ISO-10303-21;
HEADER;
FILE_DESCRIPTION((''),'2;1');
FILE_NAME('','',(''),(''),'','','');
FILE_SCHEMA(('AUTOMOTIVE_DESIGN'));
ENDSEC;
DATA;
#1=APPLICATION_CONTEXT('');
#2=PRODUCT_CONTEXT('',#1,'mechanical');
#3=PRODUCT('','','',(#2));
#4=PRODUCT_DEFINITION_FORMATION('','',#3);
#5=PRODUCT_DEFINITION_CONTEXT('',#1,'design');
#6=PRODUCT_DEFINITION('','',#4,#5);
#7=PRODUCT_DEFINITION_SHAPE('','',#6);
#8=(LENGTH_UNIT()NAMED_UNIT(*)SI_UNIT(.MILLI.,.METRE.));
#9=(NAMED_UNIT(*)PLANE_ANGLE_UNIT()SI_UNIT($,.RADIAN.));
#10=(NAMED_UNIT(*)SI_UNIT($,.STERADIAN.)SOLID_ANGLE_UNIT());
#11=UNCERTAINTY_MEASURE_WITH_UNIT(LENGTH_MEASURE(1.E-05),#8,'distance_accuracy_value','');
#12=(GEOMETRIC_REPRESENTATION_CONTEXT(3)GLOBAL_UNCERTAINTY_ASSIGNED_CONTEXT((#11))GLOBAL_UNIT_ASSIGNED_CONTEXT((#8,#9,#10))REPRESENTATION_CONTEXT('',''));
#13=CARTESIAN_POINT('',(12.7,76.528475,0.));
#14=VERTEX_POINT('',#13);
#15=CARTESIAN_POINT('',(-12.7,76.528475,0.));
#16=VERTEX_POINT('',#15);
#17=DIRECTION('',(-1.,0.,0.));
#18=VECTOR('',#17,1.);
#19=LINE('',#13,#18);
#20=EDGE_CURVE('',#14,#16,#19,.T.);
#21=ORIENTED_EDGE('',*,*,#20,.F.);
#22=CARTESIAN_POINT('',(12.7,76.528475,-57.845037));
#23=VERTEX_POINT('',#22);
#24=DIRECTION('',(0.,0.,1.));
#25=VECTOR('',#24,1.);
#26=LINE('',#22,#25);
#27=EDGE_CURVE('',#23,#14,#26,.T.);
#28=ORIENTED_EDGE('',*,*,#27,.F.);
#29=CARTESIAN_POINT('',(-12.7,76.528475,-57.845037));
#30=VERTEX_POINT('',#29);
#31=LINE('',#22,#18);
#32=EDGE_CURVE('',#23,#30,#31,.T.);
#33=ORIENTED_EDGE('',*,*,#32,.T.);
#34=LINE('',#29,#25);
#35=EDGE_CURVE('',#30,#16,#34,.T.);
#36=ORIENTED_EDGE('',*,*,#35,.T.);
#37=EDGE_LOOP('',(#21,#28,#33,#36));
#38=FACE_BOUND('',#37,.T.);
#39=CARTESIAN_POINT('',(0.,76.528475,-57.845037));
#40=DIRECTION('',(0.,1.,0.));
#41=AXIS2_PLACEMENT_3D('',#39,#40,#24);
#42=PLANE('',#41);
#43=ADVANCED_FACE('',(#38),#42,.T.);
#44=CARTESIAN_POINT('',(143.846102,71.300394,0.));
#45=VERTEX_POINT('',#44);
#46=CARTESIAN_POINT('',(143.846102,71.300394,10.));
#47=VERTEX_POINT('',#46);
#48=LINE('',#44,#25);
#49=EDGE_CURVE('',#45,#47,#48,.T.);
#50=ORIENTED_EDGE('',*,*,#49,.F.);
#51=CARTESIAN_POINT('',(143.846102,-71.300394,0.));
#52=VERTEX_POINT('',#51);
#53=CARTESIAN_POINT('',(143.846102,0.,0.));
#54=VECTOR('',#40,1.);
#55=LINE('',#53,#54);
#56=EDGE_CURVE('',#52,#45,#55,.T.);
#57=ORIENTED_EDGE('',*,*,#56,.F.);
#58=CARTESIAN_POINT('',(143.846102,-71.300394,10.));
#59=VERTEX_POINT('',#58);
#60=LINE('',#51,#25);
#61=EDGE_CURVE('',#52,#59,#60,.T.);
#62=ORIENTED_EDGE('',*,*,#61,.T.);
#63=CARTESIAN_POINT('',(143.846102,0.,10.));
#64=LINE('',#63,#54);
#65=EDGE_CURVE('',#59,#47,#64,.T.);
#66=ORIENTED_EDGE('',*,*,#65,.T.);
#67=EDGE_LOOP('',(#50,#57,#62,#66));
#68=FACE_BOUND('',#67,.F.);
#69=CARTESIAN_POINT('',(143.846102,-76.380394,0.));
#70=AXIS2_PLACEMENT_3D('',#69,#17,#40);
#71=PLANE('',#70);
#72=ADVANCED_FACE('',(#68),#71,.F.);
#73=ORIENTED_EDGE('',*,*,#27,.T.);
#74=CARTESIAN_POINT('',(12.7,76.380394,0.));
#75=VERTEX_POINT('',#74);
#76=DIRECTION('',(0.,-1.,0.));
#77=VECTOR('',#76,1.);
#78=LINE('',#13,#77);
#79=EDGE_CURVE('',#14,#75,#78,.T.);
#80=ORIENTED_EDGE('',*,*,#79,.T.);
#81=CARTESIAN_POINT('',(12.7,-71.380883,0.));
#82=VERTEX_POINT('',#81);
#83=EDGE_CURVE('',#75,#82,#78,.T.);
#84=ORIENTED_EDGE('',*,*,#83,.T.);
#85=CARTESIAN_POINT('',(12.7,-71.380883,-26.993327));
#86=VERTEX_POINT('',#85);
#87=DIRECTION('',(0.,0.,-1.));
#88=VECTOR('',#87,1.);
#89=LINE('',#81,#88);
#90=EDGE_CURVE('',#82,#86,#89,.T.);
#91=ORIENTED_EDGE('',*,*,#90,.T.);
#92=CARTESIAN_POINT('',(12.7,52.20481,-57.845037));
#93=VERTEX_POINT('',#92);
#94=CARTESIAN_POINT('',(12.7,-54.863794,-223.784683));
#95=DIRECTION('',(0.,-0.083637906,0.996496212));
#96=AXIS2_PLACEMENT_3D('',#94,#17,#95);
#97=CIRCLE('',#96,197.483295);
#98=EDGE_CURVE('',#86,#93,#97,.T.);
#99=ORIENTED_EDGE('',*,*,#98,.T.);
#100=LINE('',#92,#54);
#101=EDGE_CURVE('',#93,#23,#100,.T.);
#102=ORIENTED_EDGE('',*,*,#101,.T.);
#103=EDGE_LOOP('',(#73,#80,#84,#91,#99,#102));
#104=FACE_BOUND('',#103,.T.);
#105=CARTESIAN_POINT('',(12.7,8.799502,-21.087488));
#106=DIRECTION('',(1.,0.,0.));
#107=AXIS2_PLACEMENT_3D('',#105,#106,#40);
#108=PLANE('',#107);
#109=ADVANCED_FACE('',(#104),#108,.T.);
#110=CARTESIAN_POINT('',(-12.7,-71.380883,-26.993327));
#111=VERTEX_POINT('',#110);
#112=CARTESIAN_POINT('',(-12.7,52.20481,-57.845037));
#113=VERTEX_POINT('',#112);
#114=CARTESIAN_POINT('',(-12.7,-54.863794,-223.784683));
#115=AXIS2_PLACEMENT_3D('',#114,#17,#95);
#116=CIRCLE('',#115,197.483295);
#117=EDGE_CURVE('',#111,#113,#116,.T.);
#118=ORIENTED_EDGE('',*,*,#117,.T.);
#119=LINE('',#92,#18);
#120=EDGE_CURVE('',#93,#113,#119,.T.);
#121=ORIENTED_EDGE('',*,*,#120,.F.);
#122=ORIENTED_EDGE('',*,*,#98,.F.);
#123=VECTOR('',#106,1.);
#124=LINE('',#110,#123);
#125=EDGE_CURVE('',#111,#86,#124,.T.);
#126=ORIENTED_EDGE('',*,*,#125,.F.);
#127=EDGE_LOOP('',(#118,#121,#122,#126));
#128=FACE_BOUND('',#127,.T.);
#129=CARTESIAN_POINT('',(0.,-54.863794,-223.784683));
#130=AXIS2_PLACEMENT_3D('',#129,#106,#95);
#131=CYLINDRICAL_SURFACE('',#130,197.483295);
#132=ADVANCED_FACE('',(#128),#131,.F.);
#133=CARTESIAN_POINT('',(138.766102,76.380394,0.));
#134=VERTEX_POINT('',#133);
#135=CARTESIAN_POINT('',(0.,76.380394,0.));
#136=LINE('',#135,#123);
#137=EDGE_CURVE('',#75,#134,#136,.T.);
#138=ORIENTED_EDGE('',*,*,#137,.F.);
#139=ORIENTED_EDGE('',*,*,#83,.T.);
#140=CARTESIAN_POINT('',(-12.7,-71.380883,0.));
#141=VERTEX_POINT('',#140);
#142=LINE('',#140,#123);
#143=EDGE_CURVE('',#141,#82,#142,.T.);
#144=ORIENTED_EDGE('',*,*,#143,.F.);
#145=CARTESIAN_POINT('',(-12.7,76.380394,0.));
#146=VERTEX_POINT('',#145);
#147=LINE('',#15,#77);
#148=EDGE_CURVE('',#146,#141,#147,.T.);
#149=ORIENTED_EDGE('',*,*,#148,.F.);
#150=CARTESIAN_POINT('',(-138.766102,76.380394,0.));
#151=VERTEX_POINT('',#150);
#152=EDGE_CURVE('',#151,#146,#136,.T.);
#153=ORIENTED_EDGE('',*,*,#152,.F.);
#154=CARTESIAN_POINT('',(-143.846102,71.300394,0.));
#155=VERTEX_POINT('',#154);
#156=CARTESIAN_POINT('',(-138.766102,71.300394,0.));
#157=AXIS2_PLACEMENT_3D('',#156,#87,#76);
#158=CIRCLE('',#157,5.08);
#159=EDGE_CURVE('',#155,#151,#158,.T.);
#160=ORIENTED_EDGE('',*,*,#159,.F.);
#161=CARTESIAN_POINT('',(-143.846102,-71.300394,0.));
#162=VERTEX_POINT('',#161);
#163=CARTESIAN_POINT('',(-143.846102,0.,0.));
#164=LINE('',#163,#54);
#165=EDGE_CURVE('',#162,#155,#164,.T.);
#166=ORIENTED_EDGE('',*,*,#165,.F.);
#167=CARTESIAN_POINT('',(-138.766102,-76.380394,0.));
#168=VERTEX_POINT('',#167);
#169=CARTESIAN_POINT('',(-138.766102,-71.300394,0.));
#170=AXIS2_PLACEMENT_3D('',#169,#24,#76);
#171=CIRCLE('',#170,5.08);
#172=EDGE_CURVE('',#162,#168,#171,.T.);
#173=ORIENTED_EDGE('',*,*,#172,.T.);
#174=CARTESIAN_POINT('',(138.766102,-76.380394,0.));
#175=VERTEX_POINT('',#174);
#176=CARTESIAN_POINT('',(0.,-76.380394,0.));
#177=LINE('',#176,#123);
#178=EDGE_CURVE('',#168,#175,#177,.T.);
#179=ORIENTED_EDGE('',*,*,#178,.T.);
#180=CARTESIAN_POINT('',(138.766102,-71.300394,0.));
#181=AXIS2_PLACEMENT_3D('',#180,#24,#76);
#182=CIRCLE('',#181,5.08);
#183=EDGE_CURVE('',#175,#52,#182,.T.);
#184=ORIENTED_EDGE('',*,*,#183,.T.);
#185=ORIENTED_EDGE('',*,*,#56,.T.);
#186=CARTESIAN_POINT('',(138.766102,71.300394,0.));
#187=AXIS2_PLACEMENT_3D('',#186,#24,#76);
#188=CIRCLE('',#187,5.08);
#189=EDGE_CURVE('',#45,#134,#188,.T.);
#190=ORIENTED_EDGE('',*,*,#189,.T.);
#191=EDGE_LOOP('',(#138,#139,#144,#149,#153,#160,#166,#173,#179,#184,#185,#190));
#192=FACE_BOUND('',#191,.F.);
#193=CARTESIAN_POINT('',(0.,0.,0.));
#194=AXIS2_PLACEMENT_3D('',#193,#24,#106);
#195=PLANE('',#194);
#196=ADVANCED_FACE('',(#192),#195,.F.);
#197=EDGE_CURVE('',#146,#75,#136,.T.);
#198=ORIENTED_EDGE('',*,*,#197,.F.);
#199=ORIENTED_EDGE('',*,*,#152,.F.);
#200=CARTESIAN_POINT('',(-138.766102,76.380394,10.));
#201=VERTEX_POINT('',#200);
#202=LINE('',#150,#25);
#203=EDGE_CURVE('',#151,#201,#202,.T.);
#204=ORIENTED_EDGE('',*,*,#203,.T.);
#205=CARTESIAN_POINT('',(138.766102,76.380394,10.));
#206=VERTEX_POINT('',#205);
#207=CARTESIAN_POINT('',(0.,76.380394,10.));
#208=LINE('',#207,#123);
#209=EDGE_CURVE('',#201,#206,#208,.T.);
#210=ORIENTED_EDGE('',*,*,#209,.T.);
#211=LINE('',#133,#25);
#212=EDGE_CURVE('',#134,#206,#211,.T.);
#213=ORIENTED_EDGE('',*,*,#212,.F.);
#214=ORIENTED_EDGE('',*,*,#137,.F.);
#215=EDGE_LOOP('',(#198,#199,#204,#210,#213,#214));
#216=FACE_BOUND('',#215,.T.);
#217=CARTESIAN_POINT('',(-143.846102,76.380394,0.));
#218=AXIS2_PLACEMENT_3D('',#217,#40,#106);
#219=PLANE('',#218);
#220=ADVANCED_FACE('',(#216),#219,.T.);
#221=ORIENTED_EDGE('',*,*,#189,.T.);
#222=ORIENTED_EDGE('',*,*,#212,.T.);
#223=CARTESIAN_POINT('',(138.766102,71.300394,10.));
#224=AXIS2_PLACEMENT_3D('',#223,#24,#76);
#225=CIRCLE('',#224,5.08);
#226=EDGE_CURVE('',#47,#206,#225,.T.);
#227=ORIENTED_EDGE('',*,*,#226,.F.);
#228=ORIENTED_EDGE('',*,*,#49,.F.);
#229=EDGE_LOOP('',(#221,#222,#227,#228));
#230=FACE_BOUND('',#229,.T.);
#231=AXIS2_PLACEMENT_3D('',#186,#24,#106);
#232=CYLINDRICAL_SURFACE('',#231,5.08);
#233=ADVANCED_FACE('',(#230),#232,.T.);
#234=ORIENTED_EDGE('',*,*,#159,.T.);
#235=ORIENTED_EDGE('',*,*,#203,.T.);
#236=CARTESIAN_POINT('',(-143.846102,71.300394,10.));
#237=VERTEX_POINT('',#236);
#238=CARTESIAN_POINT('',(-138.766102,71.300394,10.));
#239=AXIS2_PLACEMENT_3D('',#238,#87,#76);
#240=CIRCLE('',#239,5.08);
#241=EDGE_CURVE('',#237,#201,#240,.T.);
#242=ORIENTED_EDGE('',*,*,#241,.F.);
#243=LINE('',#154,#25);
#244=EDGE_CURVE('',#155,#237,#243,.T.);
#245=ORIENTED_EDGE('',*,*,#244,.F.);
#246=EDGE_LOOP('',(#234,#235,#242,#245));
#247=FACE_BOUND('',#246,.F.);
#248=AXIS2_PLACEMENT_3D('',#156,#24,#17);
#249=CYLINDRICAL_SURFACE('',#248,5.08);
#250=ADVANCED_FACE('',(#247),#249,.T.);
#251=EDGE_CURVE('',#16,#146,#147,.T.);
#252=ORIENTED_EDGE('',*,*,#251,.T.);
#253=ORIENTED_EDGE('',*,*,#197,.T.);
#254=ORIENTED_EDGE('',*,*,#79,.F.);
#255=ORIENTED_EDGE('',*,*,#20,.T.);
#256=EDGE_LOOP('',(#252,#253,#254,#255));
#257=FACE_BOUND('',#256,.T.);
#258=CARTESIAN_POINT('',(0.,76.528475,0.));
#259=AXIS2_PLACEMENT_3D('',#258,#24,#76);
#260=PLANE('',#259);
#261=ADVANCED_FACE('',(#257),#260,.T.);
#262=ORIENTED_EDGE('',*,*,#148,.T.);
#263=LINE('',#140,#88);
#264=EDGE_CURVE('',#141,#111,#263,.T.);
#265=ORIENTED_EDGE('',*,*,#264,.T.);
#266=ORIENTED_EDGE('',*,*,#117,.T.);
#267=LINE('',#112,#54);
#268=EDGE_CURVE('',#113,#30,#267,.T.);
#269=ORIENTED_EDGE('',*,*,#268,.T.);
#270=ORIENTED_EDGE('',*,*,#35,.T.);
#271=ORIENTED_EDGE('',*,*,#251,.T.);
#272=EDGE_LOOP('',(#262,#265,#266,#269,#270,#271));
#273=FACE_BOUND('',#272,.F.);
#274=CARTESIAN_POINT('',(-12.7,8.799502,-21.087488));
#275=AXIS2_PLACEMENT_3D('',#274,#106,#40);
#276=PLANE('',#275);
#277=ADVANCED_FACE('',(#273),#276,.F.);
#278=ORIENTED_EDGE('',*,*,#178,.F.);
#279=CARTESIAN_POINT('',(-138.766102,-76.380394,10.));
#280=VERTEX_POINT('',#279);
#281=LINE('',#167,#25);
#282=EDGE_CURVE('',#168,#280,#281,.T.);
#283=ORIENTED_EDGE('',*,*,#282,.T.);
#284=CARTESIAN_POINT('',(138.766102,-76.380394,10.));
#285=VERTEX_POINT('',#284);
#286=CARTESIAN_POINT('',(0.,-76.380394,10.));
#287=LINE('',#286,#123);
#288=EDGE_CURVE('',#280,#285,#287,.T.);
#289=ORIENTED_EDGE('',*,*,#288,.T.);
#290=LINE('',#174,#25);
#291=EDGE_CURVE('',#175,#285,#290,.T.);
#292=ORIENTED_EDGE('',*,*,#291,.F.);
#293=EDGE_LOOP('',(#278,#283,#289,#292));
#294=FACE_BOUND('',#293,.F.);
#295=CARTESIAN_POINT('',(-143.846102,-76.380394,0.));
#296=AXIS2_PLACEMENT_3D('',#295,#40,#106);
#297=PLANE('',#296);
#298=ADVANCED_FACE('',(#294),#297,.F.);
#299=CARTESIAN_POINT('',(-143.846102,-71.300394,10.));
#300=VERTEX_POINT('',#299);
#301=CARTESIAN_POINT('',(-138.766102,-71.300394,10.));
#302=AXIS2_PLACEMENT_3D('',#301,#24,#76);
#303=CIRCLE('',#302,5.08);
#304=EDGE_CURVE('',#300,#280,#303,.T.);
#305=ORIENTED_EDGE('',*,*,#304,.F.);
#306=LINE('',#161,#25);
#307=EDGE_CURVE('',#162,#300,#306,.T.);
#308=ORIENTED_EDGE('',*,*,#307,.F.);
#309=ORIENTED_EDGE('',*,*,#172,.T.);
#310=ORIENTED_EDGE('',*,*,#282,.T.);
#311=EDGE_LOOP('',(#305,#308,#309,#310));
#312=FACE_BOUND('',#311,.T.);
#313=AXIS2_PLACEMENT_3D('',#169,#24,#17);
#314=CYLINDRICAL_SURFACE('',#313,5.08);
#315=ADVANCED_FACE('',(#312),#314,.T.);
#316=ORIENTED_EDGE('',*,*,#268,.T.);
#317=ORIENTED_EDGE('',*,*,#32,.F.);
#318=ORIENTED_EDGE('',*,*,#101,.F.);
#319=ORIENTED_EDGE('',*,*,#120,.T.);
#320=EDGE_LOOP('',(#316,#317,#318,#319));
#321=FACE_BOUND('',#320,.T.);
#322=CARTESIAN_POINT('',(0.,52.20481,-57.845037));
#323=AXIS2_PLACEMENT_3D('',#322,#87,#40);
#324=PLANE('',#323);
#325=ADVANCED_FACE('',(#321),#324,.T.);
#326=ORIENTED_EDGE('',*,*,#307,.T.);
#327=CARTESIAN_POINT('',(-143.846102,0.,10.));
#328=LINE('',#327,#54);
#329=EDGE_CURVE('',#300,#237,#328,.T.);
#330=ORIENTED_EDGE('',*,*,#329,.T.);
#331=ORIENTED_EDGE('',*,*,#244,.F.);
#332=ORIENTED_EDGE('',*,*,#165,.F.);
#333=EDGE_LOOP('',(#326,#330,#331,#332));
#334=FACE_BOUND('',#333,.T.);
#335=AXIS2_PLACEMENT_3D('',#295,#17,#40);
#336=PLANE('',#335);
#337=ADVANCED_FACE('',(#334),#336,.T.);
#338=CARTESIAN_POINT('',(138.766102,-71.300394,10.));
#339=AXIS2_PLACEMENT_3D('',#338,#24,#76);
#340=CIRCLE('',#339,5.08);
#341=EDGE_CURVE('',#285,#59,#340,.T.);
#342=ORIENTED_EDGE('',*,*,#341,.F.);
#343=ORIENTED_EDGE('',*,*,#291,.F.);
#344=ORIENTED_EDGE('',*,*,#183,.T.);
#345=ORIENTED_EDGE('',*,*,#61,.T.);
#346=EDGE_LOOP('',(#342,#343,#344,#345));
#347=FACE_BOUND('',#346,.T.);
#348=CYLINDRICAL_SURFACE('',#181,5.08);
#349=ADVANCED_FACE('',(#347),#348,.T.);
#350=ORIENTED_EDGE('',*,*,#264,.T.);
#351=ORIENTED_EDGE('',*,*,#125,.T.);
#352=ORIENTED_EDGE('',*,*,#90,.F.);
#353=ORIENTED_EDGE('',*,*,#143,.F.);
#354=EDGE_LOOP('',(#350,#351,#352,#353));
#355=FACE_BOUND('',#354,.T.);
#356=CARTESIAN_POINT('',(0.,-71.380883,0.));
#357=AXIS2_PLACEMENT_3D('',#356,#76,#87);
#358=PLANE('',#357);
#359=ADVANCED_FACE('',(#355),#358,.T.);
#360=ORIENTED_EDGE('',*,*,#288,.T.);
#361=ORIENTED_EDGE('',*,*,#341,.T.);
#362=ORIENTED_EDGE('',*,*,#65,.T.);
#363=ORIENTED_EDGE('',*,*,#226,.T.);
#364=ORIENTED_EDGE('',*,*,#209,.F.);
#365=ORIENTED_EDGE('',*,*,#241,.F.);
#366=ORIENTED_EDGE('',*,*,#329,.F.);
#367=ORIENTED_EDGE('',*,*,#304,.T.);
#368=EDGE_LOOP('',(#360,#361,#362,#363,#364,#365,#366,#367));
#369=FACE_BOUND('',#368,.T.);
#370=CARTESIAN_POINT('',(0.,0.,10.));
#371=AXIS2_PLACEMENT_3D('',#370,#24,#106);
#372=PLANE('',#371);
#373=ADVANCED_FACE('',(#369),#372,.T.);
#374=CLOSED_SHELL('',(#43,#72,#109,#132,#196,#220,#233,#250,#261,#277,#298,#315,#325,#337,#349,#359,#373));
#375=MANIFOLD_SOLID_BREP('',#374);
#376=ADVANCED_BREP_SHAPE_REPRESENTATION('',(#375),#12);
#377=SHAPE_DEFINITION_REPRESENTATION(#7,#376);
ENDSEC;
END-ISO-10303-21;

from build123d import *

# Parameters (mm, degrees)
F0_W     = 287.692204
F0_H     = 152.760788
F1_DEPTH = 10
F2_R     = 5.08
F4_DEPTH = 12.7


with BuildPart() as f1:
    # F0 (on Top) → F1 (new body)
    with BuildSketch(Plane.XY):
        Rectangle(F0_W, F0_H)
    extrude(amount=F1_DEPTH)

    # F2
    f2_edges = [f1.edges().sort_by_distance(p)[0] for p in [
        (143.846102, -76.380394, 5),
        (-143.846102, 76.380394, 5),
        (-143.846102, -76.380394, 5),
        (143.846102, 76.380394, 5),
    ]]
    fillet(f2_edges, radius=F2_R)

    # F3 (on Right) → F4 (join, symmetric)
    with BuildSketch(Plane.YZ):
        with BuildLine():
            Line((76.528475, 0), (0, 0))
            Line((0, 0), (-71.380883, 0))
            Line((-71.380883, 0), (-71.380883, -26.993327))
            ThreePointArc((-71.380883, -26.993327), (-7.032306, -32.181445), (52.20481, -57.845037))
            Line((52.20481, -57.845037), (76.528475, -57.845037))
            Line((76.528475, -57.845037), (76.528475, 0))
        make_face()
    extrude(amount=F4_DEPTH, both=True)


solid = f1.part
